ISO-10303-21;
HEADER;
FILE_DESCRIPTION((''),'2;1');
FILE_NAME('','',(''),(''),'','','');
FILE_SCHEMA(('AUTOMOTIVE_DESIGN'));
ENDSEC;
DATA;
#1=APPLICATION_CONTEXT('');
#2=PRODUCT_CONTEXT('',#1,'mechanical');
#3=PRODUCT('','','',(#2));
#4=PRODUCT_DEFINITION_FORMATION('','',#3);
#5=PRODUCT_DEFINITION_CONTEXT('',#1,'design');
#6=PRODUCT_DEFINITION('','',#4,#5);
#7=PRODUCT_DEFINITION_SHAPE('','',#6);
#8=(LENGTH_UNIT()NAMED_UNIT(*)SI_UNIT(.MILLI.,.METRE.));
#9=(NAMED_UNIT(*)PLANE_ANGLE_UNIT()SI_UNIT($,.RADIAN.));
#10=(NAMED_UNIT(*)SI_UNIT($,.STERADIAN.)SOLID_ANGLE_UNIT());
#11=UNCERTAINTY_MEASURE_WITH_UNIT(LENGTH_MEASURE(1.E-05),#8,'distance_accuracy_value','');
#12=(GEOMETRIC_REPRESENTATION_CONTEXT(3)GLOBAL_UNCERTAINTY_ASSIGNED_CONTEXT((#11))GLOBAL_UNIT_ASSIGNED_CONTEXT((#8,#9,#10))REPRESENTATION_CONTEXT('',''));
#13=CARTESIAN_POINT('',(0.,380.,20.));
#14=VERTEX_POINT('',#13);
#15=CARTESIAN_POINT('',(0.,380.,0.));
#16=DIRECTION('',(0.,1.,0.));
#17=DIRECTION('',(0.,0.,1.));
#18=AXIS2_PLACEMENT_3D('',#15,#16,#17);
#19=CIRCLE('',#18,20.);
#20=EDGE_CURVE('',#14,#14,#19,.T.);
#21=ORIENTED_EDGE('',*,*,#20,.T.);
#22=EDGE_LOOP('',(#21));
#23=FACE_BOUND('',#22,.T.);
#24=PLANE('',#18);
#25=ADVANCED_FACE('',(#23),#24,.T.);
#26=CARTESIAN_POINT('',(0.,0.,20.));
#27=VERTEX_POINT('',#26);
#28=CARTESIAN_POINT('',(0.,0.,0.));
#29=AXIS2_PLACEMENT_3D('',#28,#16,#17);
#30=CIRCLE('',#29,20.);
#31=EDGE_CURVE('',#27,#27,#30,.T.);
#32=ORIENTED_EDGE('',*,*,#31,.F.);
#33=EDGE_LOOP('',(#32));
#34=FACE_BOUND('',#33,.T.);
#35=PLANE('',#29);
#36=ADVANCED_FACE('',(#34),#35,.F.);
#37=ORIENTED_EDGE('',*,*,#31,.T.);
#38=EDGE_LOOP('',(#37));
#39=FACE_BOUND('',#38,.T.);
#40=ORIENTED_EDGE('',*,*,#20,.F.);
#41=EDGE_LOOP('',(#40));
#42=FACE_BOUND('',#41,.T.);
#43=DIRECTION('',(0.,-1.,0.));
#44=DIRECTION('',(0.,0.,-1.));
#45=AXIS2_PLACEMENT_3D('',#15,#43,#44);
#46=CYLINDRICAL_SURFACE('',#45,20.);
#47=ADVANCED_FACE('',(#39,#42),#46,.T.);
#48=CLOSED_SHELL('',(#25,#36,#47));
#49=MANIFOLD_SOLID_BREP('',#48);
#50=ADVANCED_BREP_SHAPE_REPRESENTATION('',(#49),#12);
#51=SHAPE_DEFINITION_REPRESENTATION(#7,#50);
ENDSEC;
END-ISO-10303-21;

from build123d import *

# Parameters (mm, degrees)
CROQUIS1_R              = 20
SALIENTE_EXTRUIR1_DEPTH = 380


with BuildPart() as part:
    # Croquis1 → Saliente-Extruir1 (new body)
    with BuildSketch(Plane(origin=(0, 0, 0), x_dir=(1, 0, 0), z_dir=(0, 1, 0))):
        Circle(CROQUIS1_R)
    extrude(amount=SALIENTE_EXTRUIR1_DEPTH)


solid = part.part
